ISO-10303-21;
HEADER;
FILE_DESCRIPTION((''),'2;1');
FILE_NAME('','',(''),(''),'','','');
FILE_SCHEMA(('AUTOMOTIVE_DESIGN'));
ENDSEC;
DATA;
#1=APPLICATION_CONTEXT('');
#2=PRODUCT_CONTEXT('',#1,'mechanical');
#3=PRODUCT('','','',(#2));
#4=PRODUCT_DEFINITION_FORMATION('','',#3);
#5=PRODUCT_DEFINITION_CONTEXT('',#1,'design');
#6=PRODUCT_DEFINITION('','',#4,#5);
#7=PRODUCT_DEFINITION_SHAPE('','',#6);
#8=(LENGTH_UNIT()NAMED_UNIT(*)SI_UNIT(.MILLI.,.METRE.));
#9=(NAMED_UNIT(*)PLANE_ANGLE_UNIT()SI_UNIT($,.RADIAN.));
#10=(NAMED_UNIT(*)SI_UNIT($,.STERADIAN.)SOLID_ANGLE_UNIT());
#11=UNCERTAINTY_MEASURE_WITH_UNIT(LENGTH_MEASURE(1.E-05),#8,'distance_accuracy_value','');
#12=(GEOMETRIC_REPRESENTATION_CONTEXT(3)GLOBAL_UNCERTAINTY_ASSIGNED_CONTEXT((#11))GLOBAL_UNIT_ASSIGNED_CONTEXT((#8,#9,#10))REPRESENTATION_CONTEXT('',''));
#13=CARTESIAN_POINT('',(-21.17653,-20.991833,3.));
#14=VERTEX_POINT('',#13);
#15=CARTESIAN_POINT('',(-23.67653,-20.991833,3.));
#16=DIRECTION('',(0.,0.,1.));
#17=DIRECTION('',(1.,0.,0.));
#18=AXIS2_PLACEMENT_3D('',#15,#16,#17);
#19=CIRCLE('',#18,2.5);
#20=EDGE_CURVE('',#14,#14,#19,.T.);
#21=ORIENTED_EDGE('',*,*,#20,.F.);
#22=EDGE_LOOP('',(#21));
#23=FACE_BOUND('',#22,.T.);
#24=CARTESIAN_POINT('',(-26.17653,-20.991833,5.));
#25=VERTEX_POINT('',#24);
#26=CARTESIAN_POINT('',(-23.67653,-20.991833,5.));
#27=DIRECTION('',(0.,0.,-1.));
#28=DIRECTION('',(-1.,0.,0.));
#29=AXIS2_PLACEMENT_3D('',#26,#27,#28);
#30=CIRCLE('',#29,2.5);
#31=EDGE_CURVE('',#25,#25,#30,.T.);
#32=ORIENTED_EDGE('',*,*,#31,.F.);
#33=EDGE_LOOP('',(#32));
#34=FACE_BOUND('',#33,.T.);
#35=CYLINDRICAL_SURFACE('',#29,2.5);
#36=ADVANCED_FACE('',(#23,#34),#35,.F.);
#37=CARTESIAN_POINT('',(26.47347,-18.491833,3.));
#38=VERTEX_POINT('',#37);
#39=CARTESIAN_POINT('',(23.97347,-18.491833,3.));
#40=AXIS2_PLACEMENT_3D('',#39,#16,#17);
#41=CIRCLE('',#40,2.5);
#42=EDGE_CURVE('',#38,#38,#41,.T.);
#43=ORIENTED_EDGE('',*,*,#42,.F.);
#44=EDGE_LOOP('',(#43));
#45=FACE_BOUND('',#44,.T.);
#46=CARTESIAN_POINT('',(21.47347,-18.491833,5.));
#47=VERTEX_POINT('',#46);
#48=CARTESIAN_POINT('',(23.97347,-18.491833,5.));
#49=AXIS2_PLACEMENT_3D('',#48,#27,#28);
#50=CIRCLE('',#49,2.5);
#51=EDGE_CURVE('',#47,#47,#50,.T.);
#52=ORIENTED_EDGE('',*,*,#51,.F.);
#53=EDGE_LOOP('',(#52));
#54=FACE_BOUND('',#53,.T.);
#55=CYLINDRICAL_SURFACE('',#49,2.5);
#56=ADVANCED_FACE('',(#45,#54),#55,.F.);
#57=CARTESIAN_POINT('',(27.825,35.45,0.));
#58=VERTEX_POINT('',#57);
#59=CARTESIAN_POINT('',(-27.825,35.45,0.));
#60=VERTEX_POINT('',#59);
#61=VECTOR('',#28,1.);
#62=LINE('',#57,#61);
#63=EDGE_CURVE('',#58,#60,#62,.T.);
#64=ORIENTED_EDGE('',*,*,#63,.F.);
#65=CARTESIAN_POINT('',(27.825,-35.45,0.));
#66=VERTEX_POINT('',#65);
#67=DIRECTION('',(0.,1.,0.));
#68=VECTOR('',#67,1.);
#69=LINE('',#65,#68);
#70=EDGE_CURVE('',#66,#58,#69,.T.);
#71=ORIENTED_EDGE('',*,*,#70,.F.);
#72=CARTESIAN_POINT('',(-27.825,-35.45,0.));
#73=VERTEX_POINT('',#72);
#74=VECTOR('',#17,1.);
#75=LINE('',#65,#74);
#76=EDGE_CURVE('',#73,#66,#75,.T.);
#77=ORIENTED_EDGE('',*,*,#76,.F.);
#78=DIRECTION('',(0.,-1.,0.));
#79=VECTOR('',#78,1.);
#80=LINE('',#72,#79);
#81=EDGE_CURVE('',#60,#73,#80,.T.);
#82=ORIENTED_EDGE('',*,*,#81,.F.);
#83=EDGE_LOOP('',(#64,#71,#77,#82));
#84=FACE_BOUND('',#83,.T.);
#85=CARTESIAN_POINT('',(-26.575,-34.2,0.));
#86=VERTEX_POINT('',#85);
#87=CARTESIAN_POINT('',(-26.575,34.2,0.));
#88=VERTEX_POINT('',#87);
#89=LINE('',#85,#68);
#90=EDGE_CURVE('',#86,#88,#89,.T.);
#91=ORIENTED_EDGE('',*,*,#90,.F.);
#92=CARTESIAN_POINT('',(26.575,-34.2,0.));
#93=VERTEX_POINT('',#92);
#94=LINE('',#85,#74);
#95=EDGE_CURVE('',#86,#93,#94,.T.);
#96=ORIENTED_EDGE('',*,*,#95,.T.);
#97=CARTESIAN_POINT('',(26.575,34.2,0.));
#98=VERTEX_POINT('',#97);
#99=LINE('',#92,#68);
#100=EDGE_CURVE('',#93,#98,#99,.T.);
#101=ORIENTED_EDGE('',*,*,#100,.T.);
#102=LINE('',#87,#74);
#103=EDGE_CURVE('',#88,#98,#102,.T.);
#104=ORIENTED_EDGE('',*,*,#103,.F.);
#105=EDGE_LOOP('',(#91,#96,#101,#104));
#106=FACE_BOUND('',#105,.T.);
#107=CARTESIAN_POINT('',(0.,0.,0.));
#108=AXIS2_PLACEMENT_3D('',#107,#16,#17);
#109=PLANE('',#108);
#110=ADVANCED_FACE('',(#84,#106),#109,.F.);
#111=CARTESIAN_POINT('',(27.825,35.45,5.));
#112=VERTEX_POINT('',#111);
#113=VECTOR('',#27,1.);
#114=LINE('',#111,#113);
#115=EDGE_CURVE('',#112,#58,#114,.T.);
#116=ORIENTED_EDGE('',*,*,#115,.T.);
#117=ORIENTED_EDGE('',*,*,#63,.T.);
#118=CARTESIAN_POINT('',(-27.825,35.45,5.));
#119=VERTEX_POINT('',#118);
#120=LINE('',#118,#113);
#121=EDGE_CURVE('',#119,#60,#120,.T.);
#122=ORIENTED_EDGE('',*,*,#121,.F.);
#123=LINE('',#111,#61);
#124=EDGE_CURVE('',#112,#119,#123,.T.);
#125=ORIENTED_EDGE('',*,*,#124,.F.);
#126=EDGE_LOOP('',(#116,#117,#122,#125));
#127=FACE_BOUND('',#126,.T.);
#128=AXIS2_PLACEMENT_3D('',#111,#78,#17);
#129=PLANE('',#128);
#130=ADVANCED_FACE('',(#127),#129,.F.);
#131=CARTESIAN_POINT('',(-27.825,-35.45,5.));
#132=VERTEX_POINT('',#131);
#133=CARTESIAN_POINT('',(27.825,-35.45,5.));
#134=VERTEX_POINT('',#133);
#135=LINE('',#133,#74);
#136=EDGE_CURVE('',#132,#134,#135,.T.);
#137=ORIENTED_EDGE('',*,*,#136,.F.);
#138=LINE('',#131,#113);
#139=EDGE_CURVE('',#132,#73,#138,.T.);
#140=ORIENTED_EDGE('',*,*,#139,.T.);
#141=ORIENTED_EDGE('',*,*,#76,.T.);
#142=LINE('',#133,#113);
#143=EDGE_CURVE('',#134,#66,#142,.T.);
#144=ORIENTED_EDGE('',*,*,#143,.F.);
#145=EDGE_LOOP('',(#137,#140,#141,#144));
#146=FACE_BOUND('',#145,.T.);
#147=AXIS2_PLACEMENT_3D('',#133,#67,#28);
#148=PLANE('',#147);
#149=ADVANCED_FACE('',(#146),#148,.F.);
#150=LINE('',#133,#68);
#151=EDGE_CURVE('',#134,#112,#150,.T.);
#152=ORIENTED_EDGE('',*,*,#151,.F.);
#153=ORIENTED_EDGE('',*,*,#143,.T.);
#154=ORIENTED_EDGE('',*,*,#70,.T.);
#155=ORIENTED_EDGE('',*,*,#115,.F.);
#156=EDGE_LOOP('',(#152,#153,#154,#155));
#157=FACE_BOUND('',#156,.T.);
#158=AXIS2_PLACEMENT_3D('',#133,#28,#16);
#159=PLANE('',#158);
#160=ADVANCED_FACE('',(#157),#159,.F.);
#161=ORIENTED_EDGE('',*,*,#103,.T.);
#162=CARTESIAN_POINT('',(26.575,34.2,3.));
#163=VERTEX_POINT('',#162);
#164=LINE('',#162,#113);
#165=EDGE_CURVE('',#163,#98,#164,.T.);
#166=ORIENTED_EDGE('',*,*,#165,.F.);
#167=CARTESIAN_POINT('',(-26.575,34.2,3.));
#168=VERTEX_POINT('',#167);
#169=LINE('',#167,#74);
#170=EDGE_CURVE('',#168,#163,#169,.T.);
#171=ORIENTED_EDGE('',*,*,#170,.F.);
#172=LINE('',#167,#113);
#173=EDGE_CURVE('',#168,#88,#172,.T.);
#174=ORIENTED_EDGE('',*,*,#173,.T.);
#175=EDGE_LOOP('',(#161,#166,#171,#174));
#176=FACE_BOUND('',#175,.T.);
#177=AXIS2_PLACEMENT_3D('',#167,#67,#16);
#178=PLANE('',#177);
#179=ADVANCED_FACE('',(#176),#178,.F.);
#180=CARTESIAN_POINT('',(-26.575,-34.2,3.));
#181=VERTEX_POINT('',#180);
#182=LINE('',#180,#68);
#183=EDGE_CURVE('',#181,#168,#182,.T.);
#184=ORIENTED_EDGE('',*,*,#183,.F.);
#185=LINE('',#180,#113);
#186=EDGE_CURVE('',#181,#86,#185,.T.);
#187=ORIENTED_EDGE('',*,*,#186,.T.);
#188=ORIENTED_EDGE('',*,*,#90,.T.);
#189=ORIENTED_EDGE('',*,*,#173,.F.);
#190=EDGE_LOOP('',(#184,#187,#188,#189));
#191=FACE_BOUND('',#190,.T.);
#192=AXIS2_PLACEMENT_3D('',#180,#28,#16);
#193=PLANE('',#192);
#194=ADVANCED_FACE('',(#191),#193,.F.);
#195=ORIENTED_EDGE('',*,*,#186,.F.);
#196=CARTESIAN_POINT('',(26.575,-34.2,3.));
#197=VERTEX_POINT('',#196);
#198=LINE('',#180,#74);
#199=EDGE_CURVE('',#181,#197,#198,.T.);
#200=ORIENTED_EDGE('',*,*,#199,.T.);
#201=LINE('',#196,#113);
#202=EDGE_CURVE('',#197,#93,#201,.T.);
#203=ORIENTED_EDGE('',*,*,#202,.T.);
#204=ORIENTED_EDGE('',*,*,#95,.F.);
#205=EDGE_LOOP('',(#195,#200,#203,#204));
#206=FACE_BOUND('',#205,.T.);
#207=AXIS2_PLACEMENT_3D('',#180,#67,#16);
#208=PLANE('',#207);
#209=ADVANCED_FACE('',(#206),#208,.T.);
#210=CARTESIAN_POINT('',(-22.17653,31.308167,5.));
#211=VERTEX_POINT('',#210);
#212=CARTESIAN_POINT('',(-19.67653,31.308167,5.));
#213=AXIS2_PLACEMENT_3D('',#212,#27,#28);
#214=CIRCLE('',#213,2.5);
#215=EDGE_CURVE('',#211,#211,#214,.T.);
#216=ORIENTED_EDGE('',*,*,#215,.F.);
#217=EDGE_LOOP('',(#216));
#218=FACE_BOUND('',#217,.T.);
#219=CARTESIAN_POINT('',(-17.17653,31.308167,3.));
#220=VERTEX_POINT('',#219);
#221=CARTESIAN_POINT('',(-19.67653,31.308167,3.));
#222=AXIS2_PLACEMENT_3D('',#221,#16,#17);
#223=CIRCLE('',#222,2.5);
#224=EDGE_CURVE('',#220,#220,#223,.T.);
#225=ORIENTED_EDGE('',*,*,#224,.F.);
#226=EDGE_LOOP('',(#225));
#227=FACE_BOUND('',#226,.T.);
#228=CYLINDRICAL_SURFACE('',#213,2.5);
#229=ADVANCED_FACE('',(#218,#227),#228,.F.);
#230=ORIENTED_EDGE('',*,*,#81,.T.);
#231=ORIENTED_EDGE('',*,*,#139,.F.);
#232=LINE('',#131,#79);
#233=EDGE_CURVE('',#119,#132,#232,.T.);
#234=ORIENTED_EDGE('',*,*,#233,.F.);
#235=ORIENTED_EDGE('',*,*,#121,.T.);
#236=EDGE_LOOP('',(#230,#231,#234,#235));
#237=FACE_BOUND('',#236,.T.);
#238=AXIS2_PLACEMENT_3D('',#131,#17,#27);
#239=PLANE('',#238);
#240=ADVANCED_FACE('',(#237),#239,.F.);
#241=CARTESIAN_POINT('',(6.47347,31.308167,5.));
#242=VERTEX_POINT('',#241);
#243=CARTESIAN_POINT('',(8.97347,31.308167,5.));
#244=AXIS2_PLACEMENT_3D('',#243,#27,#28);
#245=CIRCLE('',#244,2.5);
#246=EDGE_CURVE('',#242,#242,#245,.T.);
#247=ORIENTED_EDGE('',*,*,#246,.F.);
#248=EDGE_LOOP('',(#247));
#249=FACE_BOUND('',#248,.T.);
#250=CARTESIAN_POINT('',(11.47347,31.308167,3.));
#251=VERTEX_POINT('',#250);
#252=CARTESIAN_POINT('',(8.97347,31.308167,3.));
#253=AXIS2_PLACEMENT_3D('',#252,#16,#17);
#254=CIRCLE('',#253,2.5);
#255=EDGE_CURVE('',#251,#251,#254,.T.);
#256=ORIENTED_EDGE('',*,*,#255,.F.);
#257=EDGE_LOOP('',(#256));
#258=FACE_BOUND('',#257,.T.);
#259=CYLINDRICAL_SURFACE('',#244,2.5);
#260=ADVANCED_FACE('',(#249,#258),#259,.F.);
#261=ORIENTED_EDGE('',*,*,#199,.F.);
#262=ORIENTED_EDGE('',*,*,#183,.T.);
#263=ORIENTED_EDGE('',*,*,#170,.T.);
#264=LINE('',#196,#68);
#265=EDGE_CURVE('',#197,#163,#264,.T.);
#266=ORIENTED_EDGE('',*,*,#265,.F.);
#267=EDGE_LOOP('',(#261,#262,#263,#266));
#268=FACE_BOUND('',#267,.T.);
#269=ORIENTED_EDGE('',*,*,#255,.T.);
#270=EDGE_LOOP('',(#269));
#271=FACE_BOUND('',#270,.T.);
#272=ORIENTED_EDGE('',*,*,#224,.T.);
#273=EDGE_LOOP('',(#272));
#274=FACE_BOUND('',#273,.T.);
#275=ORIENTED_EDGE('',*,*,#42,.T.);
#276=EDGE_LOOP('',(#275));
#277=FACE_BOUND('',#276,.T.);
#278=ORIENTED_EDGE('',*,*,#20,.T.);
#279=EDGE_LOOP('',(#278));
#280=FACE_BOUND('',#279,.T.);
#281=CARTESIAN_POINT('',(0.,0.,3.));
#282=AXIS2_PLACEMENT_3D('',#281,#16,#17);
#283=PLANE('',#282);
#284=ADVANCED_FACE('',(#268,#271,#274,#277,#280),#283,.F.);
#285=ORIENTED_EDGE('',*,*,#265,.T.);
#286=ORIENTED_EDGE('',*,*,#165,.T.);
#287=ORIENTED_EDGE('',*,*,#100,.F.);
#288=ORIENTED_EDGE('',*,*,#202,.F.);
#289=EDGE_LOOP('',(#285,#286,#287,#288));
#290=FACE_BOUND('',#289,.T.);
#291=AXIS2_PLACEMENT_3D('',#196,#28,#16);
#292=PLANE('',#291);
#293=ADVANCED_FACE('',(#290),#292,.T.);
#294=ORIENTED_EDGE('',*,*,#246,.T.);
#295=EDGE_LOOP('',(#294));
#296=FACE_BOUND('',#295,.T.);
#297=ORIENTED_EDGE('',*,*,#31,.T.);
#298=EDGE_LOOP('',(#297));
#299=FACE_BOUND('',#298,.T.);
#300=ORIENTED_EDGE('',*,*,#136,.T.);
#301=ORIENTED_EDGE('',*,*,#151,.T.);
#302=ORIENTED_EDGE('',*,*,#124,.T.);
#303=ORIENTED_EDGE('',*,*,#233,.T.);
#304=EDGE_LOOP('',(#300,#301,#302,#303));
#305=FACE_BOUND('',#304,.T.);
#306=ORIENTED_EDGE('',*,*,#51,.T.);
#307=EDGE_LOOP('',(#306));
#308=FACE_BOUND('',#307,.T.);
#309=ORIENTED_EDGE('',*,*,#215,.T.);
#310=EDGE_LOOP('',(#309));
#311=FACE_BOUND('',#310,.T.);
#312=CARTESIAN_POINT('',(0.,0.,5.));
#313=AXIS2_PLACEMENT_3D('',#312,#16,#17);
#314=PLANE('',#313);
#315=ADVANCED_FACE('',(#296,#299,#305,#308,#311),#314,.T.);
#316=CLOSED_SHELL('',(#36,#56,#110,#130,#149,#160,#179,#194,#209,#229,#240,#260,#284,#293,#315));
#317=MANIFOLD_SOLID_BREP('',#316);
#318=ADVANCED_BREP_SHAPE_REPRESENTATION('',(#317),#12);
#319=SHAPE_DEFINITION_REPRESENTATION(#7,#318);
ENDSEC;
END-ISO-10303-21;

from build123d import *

# Parameters (mm, degrees)
SKETCH1_W           = 55.65
SKETCH1_H           = 70.9
BOSS_EXTRUDE1_DEPTH = 5
SKETCH3_W           = 53.15
SKETCH3_H           = 68.4
CUT_EXTRUDE1_DEPTH  = 3
SKETCH2_R           = 2.5
CUT_EXTRUDE2_DEPTH  = 6


with BuildPart() as part:
    # Sketch1 → Boss-Extrude1 (new body)
    with BuildSketch(Plane.XY):
        Rectangle(SKETCH1_W, SKETCH1_H)
    extrude(amount=BOSS_EXTRUDE1_DEPTH)

    # Sketch3 → Cut-Extrude1 (cut)
    with BuildSketch(Plane(origin=(0, 0, 0), x_dir=(-1, 0, 0), z_dir=(0, 0, -1))):
        Rectangle(SKETCH3_W, SKETCH3_H)
    extrude(amount=-CUT_EXTRUDE1_DEPTH, mode=Mode.SUBTRACT)

    # Sketch2 → Cut-Extrude2 (cut, through all)
    with BuildSketch(Plane(origin=(0, 0, 0), x_dir=(-1, 0, 0), z_dir=(0, 0, -1))):
        with Locations((-8.973470341, 31.308167243)):
            Circle(SKETCH2_R)
        with Locations((-23.973470341, -18.491832757)):
            Circle(SKETCH2_R)
        with Locations((23.676529659, -20.991832757)):
            Circle(SKETCH2_R)
        with Locations((19.676529659, 31.308167243)):
            Circle(SKETCH2_R)
    extrude(amount=-CUT_EXTRUDE2_DEPTH, mode=Mode.SUBTRACT)


solid = part.part
